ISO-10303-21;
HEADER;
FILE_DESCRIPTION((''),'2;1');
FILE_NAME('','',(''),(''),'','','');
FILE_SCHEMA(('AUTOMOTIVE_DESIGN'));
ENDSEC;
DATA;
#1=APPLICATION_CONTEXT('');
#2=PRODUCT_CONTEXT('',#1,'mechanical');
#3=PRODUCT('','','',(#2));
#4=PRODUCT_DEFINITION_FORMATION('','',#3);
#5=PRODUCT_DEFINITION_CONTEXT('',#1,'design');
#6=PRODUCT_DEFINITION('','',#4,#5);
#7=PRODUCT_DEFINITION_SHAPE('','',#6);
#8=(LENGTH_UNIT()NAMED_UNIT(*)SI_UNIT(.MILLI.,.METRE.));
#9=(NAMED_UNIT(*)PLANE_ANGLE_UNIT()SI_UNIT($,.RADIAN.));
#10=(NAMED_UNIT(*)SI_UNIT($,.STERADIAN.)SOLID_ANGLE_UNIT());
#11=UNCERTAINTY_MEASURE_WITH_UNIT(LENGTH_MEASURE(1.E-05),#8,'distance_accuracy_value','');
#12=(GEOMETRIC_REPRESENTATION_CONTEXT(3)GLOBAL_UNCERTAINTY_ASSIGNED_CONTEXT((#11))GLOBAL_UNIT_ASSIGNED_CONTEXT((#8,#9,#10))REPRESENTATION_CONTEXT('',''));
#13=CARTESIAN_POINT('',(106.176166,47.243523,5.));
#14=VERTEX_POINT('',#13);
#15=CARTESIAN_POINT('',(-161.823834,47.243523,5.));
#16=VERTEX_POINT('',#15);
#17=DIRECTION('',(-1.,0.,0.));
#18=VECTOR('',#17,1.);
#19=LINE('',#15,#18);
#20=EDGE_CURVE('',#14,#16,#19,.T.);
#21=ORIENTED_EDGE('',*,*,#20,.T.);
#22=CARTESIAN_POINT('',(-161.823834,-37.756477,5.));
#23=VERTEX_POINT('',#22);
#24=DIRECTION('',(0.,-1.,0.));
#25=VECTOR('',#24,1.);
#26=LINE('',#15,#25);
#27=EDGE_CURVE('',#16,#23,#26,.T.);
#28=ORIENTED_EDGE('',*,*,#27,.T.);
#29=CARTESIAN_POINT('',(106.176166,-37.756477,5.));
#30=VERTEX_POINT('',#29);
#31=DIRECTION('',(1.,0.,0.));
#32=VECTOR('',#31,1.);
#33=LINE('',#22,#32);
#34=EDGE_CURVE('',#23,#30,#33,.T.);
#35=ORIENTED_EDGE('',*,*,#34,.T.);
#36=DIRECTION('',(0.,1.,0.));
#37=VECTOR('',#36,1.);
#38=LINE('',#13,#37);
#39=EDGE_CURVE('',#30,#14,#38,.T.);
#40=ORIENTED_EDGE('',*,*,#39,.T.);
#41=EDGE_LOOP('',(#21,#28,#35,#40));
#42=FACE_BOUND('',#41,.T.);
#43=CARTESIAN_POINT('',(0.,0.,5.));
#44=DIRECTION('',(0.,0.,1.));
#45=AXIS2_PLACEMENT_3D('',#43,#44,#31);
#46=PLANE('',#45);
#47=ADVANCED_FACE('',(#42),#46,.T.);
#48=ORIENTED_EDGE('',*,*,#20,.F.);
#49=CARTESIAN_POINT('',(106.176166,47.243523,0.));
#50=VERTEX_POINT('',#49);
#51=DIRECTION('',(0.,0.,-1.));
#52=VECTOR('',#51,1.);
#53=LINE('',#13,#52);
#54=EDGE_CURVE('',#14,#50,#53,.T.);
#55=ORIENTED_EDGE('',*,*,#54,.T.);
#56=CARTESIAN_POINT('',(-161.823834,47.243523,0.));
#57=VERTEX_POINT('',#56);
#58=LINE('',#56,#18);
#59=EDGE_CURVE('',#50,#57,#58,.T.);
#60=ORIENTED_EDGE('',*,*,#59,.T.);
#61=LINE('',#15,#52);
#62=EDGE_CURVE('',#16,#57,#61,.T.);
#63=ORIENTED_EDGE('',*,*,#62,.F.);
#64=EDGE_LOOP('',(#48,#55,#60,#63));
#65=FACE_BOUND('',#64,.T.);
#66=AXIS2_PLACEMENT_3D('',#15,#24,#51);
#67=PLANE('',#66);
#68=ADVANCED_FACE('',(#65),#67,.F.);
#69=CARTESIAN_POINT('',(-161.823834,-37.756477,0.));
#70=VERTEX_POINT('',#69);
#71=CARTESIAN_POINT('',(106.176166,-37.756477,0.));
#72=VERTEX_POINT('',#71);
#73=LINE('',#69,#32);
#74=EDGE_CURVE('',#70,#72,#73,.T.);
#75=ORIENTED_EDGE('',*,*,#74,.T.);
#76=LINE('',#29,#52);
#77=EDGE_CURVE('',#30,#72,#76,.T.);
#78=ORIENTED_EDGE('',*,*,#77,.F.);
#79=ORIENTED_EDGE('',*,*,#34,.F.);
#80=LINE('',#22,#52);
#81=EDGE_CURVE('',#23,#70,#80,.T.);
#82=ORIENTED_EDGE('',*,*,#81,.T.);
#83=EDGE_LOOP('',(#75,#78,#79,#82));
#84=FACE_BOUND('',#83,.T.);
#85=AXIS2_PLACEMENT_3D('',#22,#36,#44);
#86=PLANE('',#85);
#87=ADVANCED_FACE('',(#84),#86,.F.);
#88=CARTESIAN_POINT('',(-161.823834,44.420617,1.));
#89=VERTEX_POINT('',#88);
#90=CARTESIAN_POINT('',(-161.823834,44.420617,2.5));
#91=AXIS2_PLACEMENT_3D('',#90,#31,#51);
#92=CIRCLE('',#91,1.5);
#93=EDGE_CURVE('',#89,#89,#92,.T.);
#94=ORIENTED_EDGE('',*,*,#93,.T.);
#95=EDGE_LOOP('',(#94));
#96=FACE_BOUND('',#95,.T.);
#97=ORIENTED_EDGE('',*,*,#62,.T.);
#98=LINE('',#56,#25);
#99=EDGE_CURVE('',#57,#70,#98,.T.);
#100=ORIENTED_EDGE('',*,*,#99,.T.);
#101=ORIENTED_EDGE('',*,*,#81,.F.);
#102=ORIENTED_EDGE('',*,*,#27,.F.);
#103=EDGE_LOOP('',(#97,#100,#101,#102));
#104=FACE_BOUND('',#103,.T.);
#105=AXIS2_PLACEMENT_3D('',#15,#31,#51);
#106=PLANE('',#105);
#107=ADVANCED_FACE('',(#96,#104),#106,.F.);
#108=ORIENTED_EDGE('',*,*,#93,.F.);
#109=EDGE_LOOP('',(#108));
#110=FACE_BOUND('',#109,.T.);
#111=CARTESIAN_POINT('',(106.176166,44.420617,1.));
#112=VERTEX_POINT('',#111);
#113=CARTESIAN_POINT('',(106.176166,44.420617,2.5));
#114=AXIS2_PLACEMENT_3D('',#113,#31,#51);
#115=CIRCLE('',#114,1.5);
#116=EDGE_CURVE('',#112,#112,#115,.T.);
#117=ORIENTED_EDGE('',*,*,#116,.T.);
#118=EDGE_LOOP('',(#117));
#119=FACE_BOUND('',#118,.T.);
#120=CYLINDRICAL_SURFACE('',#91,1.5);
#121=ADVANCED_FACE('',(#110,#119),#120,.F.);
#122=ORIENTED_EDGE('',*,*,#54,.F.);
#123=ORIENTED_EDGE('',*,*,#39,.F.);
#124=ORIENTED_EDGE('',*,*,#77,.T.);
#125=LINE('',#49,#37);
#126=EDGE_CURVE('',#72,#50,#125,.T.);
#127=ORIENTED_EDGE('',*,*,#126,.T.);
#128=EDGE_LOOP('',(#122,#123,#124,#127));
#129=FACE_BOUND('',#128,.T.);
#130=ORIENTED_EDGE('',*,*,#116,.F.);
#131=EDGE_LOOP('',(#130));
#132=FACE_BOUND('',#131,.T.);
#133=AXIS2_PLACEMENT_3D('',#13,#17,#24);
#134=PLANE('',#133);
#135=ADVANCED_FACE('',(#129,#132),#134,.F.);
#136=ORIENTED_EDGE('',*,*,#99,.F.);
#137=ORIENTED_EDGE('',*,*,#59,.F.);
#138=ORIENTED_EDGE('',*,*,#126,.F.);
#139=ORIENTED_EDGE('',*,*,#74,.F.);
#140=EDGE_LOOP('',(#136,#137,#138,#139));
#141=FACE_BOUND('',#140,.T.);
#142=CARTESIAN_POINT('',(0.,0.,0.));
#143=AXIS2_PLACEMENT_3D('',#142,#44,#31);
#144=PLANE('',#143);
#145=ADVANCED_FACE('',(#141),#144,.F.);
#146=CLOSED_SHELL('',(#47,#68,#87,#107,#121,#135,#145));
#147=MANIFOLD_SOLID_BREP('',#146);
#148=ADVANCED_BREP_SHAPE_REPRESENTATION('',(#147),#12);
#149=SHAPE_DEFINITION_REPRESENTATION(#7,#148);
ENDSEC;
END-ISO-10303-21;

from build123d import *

# Parameters (mm, degrees)
SKETCH1_W           = 268
SKETCH1_H           = 85
BOSS_EXTRUDE1_DEPTH = 5
SKETCH2_R           = 1.5
CUT_EXTRUDE1_DEPTH  = 273.178159475


with BuildPart() as part:
    # Sketch1 → Boss-Extrude1 (new body)
    with BuildSketch(Plane.XY):
        with Locations((-27.823834197, 4.743523316)):
            Rectangle(SKETCH1_W, SKETCH1_H)
    extrude(amount=BOSS_EXTRUDE1_DEPTH)

    # Sketch2 → Cut-Extrude1 (cut, through all)
    with BuildSketch(Plane(origin=(106.176165803, 0, 0), x_dir=(0, 0, -1), z_dir=(1, 0, 0))):
        with Locations((-2.5, 44.420616861)):
            Circle(SKETCH2_R)
    extrude(amount=-CUT_EXTRUDE1_DEPTH, mode=Mode.SUBTRACT)


solid = part.part
